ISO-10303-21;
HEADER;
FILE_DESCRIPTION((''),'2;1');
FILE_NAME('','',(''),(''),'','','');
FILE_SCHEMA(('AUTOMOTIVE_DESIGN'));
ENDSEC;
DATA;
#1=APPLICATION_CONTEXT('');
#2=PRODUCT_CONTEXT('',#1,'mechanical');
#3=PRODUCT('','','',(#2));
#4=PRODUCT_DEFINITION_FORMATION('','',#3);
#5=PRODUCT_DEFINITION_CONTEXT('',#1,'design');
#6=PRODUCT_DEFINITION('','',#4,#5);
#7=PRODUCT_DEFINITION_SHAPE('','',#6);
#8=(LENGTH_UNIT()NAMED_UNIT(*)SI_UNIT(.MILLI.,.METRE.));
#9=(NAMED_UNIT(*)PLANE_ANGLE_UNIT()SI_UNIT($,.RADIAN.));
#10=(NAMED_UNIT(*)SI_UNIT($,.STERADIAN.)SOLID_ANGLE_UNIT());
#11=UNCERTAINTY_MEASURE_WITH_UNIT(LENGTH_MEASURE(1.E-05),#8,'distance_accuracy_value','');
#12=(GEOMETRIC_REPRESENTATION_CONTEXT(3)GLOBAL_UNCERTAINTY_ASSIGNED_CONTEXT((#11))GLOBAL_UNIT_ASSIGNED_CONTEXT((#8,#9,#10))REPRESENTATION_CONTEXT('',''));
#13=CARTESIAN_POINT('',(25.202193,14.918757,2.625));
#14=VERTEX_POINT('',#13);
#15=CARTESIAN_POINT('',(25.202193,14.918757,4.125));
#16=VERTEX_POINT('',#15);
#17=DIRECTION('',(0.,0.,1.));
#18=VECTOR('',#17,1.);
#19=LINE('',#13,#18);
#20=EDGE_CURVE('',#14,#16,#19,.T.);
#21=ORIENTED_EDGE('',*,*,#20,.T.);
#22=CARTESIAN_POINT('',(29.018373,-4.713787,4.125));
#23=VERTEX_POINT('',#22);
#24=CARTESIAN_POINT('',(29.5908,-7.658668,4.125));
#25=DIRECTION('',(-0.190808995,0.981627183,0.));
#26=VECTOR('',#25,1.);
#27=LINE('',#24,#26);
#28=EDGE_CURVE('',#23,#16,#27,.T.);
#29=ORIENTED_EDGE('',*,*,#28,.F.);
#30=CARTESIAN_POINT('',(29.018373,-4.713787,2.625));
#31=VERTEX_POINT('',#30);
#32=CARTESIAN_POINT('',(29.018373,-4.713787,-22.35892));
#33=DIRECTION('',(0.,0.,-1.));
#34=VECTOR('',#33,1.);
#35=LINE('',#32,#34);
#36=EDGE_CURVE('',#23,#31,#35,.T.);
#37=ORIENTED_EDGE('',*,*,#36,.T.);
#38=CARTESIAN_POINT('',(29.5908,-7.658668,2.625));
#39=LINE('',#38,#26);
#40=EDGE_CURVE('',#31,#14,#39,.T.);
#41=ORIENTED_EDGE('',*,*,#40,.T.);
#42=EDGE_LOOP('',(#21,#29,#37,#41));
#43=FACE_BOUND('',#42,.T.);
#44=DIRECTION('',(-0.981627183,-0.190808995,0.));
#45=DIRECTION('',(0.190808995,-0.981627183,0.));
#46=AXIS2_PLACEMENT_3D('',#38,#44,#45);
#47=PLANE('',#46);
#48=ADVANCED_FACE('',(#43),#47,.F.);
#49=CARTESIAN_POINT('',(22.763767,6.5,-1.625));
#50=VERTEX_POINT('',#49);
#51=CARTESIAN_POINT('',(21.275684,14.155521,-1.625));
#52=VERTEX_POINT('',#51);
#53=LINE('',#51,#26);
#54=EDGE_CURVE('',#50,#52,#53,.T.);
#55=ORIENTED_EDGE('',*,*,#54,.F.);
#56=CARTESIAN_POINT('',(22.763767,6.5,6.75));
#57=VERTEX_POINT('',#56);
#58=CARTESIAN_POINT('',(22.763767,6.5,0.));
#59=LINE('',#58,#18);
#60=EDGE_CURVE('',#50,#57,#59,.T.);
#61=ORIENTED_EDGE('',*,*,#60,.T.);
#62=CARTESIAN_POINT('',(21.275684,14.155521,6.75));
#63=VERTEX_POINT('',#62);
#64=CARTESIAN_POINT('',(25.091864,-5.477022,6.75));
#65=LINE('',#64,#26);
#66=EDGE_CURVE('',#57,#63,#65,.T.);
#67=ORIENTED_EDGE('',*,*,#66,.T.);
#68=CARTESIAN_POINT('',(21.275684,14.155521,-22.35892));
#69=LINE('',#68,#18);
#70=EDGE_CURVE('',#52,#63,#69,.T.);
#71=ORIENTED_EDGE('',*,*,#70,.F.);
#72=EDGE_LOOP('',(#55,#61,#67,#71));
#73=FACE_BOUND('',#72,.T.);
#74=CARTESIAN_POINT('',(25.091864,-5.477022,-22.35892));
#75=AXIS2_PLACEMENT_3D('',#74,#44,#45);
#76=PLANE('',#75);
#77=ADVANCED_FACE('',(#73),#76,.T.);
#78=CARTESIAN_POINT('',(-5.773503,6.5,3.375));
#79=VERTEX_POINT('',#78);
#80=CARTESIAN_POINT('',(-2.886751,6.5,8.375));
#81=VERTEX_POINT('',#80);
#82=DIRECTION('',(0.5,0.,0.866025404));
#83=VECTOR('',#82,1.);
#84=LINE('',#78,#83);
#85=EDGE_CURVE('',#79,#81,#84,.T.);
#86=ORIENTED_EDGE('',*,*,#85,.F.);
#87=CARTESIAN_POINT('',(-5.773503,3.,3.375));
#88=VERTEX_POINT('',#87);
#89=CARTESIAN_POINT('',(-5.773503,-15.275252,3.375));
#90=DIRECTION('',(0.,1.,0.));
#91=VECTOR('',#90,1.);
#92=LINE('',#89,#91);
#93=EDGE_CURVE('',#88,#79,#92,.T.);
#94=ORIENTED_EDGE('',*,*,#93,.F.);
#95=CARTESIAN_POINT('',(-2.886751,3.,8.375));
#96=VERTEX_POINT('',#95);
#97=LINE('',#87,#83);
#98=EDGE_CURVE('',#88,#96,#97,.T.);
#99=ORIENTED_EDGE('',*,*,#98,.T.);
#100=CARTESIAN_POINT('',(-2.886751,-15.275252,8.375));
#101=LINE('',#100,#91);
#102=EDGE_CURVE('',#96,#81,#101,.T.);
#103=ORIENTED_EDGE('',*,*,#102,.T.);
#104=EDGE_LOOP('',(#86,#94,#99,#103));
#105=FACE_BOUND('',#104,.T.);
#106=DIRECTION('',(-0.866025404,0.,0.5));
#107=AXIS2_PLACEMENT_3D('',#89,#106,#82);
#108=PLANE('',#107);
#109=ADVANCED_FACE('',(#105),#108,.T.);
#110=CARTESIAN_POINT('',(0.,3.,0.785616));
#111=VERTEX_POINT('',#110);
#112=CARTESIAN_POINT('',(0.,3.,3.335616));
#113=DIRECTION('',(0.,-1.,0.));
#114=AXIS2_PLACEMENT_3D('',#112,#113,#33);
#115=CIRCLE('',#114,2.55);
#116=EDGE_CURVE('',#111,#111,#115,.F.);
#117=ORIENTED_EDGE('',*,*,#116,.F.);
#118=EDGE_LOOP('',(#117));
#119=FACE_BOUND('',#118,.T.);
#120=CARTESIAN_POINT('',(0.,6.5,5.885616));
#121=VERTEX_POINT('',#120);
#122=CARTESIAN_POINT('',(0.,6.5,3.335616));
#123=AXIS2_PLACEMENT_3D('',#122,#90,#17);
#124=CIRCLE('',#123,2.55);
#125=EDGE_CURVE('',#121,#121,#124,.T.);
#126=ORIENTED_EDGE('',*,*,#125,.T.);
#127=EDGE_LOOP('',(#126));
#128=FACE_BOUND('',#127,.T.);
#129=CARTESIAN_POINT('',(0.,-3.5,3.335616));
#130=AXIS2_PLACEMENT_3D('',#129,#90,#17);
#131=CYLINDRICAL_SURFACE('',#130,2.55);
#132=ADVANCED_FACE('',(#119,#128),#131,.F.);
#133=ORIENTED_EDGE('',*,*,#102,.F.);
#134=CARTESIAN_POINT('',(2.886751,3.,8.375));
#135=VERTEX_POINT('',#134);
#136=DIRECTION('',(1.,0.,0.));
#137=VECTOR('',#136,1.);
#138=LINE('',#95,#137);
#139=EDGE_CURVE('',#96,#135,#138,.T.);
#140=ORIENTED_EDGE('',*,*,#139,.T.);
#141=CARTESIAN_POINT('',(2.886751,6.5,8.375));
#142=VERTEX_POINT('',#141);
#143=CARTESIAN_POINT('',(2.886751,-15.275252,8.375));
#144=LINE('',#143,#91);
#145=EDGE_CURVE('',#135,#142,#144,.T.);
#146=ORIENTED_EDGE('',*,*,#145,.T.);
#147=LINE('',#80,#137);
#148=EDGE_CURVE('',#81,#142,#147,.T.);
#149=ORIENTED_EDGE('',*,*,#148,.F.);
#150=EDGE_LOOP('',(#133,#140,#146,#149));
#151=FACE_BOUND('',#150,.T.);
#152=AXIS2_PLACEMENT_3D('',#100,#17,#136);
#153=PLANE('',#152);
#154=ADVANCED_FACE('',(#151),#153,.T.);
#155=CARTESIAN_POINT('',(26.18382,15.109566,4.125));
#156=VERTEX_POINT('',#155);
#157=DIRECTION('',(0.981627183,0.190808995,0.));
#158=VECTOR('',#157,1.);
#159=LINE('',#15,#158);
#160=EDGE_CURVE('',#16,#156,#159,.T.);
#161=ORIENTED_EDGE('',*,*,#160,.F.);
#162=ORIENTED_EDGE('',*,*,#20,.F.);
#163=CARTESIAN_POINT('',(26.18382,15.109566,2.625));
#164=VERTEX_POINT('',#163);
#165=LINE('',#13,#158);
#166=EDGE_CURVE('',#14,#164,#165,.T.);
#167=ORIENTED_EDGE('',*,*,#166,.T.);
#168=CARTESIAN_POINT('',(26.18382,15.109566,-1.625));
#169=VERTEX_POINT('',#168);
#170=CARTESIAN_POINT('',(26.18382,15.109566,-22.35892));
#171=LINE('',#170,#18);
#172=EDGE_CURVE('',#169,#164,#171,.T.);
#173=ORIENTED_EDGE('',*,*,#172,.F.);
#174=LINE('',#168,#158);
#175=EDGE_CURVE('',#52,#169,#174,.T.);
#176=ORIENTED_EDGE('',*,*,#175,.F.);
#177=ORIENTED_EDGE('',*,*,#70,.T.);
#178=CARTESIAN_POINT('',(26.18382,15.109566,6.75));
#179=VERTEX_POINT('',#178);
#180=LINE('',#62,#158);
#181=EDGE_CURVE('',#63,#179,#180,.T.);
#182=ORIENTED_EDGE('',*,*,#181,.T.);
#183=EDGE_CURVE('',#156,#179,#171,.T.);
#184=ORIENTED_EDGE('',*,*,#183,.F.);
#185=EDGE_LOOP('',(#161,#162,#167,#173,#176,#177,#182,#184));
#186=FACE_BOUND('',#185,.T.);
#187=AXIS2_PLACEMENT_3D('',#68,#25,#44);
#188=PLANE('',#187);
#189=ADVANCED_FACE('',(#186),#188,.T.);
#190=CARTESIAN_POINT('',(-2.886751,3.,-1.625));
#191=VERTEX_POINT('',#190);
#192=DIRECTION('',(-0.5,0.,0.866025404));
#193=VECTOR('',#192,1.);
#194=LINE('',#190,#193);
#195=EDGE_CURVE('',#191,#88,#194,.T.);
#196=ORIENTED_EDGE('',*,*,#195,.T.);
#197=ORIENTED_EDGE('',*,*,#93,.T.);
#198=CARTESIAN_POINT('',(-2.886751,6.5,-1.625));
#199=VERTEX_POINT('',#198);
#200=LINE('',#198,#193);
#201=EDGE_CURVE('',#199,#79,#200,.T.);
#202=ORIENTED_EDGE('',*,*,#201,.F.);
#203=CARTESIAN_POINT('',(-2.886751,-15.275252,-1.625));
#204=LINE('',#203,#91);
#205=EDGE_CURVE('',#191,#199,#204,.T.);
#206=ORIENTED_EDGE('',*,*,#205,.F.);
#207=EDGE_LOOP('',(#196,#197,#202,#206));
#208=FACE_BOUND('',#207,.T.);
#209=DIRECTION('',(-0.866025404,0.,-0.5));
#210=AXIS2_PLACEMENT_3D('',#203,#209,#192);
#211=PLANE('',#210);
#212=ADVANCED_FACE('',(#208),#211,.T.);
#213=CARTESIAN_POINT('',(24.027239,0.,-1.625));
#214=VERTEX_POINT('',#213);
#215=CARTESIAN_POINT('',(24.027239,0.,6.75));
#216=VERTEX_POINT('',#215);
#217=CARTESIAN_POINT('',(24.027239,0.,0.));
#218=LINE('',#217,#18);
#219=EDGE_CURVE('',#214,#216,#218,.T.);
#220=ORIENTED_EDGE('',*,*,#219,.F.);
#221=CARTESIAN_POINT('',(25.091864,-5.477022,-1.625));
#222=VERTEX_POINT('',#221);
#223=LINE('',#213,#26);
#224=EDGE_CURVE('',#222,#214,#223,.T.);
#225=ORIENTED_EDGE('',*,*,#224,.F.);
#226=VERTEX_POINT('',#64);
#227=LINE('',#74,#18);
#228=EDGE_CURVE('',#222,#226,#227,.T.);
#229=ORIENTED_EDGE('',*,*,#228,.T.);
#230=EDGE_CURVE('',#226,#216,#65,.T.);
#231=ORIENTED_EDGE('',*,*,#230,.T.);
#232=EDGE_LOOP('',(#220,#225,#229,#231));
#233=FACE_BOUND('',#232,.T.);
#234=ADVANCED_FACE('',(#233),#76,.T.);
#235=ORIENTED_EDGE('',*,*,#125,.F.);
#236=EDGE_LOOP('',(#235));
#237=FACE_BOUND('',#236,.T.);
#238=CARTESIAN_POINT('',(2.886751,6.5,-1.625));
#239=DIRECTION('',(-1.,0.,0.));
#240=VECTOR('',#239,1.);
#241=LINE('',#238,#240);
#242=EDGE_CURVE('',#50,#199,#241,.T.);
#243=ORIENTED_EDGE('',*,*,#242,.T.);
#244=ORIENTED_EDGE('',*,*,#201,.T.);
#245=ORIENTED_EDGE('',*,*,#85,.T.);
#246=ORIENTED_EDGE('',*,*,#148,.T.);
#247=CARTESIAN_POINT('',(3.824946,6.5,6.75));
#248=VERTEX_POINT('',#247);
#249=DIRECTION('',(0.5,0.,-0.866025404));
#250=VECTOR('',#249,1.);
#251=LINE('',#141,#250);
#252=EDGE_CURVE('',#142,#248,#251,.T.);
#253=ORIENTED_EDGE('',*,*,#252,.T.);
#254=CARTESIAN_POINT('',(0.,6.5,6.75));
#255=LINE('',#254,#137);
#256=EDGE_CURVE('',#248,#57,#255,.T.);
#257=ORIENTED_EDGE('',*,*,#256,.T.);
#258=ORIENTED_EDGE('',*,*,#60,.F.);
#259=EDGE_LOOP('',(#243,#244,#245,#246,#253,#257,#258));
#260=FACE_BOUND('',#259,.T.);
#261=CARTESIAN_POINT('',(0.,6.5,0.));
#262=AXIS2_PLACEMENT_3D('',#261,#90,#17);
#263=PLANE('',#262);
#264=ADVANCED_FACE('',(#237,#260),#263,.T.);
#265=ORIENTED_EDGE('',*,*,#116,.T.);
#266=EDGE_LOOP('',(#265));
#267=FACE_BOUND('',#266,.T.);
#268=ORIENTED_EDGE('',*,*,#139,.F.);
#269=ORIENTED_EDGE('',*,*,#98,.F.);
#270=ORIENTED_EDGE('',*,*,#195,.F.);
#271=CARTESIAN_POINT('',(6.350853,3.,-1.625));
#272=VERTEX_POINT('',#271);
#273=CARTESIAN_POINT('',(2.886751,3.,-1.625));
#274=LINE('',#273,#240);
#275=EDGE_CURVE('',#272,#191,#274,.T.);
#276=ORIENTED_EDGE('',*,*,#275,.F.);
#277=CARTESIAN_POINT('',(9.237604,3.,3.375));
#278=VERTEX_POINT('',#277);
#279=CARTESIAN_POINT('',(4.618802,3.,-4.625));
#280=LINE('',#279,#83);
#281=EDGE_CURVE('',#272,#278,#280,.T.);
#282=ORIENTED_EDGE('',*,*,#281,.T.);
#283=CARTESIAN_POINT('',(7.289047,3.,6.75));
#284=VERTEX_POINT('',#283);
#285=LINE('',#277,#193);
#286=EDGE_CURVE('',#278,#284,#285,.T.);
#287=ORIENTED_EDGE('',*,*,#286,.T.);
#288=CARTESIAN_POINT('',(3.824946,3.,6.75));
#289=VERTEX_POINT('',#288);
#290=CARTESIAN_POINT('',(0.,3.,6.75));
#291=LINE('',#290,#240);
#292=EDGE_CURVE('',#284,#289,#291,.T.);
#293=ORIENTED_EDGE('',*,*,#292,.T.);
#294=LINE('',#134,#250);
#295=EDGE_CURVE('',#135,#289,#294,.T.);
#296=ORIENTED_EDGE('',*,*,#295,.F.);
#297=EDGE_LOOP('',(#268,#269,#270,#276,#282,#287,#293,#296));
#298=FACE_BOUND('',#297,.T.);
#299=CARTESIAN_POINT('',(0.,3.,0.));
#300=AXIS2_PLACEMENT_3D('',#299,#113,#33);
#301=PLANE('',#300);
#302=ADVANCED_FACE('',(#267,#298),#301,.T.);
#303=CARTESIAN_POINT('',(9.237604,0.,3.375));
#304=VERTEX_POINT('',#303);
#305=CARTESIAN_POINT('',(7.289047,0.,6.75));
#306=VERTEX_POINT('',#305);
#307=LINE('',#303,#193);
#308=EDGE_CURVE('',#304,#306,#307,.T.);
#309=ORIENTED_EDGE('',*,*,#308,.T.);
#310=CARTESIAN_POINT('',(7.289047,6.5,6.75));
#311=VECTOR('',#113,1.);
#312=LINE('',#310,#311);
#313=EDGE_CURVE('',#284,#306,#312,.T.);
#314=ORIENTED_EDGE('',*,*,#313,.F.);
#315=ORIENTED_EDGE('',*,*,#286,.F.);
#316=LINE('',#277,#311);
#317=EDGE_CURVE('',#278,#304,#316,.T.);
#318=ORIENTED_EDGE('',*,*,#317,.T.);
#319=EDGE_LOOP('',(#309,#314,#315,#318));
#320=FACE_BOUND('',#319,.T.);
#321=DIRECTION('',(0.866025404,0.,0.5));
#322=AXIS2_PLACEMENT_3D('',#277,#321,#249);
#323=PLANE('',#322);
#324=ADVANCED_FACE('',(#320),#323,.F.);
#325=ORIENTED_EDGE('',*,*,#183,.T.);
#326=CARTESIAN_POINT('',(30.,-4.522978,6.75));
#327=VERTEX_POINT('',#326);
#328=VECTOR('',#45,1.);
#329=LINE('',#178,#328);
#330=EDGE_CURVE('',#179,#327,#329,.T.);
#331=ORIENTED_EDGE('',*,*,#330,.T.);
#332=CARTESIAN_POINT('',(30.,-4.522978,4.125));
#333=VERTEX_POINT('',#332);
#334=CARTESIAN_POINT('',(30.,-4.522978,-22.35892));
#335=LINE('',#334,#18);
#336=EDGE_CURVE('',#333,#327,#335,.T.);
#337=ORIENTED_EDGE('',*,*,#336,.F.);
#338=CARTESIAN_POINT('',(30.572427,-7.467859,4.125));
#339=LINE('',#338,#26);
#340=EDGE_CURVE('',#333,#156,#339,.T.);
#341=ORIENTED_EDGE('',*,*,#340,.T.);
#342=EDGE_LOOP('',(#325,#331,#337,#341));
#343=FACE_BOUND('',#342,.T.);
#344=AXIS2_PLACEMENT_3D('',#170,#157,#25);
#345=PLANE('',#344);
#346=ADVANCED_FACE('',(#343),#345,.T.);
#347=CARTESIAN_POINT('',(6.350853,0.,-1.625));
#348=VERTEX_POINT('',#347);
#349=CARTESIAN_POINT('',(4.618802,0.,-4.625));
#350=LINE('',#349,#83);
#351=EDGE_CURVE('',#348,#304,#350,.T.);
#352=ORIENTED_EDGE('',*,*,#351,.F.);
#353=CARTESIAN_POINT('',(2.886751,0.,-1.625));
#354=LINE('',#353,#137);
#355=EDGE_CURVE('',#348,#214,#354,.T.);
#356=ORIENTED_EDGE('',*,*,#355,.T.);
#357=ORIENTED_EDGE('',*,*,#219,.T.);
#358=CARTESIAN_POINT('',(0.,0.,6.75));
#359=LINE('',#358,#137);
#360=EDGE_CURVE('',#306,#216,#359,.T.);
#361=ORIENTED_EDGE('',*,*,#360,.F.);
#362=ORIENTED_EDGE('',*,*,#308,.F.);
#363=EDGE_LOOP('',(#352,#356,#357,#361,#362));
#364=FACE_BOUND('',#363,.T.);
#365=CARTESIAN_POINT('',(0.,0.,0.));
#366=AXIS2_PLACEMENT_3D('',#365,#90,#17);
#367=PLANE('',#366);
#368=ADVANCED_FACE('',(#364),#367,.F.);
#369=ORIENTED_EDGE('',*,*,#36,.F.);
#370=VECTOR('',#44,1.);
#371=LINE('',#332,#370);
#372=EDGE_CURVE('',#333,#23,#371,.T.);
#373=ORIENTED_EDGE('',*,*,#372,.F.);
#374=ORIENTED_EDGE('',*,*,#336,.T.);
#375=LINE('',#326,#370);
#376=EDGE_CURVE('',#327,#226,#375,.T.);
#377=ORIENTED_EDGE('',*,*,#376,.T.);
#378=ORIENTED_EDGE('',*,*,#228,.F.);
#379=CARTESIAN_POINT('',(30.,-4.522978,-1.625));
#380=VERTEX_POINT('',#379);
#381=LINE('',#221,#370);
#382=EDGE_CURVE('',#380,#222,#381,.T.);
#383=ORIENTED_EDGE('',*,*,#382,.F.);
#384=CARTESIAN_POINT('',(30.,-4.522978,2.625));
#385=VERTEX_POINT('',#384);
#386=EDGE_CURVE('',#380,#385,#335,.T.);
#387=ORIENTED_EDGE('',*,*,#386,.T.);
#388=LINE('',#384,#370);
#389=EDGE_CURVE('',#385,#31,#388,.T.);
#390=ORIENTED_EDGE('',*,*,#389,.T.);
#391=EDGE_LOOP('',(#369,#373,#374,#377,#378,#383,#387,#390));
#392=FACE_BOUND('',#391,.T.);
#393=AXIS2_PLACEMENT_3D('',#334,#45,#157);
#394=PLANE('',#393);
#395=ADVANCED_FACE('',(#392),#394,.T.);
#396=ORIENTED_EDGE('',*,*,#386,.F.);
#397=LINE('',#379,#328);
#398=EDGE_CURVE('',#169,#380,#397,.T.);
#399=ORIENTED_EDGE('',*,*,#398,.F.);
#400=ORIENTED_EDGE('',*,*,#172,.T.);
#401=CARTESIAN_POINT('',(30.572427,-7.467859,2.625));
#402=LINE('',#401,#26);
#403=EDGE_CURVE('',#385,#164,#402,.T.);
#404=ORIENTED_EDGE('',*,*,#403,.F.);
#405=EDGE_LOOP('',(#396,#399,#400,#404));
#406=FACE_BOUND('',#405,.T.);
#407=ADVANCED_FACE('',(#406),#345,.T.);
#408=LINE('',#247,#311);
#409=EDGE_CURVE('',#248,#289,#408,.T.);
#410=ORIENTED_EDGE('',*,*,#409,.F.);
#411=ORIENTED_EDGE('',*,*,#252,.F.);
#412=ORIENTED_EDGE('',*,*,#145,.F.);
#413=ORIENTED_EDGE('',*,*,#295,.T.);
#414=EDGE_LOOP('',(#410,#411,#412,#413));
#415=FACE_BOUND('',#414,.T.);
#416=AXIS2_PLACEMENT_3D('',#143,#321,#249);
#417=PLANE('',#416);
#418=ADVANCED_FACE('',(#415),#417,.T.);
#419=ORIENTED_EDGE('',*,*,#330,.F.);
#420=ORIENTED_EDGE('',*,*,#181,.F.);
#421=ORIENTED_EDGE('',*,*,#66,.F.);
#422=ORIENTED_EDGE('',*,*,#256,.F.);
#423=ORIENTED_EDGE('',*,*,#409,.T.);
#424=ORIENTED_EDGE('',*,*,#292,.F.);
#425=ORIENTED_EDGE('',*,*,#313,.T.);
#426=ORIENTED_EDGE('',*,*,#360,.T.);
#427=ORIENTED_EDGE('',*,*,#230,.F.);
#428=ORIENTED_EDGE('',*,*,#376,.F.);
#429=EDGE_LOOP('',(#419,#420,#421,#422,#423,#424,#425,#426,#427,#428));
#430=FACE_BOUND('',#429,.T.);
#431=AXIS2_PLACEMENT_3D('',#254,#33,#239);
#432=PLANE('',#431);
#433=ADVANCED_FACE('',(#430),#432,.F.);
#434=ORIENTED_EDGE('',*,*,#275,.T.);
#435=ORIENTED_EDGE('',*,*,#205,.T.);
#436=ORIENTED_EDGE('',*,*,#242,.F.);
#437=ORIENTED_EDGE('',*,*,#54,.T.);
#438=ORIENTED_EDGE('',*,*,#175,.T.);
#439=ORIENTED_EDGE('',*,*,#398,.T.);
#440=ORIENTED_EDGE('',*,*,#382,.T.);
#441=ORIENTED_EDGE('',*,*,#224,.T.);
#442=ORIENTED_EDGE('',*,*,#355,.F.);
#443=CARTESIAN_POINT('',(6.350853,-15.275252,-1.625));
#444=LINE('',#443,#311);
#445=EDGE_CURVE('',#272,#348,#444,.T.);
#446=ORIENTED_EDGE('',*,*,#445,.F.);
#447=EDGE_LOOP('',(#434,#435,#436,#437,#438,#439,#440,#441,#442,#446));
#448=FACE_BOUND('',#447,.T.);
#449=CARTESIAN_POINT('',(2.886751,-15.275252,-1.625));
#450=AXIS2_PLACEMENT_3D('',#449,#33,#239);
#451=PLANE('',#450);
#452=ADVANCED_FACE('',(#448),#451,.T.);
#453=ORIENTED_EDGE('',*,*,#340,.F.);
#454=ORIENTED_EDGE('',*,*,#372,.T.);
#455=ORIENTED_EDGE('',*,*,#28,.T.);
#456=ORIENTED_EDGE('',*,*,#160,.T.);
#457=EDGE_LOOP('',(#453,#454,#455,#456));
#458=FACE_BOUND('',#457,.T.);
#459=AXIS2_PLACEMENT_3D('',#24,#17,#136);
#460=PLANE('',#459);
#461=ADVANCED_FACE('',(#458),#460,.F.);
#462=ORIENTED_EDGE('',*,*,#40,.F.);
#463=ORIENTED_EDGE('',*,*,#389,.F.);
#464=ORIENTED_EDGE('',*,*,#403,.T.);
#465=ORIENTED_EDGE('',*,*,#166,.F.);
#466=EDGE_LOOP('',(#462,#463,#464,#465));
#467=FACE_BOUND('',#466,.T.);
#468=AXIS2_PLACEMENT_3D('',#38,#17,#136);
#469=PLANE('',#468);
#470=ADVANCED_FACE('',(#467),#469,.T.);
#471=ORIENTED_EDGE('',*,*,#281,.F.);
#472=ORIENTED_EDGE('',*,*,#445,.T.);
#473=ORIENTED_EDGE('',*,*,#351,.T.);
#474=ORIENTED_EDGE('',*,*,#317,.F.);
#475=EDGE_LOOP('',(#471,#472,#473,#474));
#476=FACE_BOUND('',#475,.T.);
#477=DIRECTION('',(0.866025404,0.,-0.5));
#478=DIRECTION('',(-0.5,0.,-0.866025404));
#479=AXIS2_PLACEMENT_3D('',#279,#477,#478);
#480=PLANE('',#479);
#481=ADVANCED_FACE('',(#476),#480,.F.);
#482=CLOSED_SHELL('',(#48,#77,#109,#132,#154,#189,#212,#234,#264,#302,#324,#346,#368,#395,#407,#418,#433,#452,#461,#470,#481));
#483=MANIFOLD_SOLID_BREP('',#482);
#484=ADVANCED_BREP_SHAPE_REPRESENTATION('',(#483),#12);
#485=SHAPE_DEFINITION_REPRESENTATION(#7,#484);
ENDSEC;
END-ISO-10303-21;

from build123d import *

# Parameters (mm, degrees)
SKETCH1_W                = 25
SKETCH1_H                = 6.75
BOSS_EXTRUDE1_DEPTH      = 6.5
BOSS_EXTRUDE3_DEPTH      = 3.375
BOSS_EXTRUDE3_DEPTH_BACK = 5
SKETCH4_W                = 1
SKETCH4_H                = 1.5
CUT_EXTRUDE1_DEPTH       = 23
BOSS_EXTRUDE4_DEPTH      = 6.5
SKETCH6_R                = 2.55
CUT_EXTRUDE2_DEPTH       = 10
BOSS_EXTRUDE5_REACH      = 12
CUT_EXTRUDE3_DEPTH       = 3


with BuildPart() as part:
    # Sketch1 → Boss-Extrude1 (new body)
    with BuildSketch(Plane(origin=(0, 0, 0), x_dir=(1, 0, 0), z_dir=(0, 1, 0))):
        with Locations((12.5, -3.375)):
            Rectangle(SKETCH1_W, SKETCH1_H)
    extrude(amount=BOSS_EXTRUDE1_DEPTH)

    # Sketch3 → Boss-Extrude3 (add, two sides)
    with BuildSketch(Plane.XY.offset(3.375)) as boss_extrude3_sk:
        Polygon((21.275684175, 14.155521181), (26.183820092, 15.109566157), (30, -4.522977512), (25.091864083, -5.477022488), align=None)
    extrude(amount=BOSS_EXTRUDE3_DEPTH)
    extrude(boss_extrude3_sk.sketch, amount=-BOSS_EXTRUDE3_DEPTH_BACK)

    # Sketch4 → Cut-Extrude1 (cut)
    with BuildSketch(Plane(origin=(-1.876769127, 9.65514015, 0), x_dir=(0.981627183, 0.190808995, 0), z_dir=(-0.190808995, 0.981627183, 0))):
        with Locations((28.085790708, -3.375)):
            Rectangle(SKETCH4_W, SKETCH4_H)
    extrude(amount=-CUT_EXTRUDE1_DEPTH, mode=Mode.SUBTRACT)

    # Sketch5 → Boss-Extrude4 (add)
    with BuildSketch(Plane(origin=(0, 6.5, 0), x_dir=(1, 0, 0), z_dir=(0, 1, 0))):
        Polygon((-5.773502692, -3.375), (-2.886751346, -8.375), (2.886751346, -8.375), (5.773502692, -3.375), (2.886751346, 1.625), (-2.886751346, 1.625), align=None)
    extrude(amount=-BOSS_EXTRUDE4_DEPTH)

    # Sketch6 → Cut-Extrude2 (cut)
    with BuildSketch(Plane(origin=(0, 6.5, 0), x_dir=(1, 0, 0), z_dir=(0, 1, 0))):
        with Locations((0, -3.335615973)):
            Circle(SKETCH6_R)
    extrude(amount=-CUT_EXTRUDE2_DEPTH, mode=Mode.SUBTRACT)

    # Sketch7 → Boss-Extrude5 (add, up to next)
    with BuildSketch(Plane(origin=(0, 0, -1.625), x_dir=(-1, 0, 0), z_dir=(0, 0, -1)), mode=Mode.PRIVATE) as boss_extrude5_sk1:
        Polygon((-2.886751346, 0), (-24.027238758, 0), (-25.091864083, -5.477022488), (-30, -4.522977512), (-26.183820092, 15.109566157), (-21.275684175, 14.155521181), (-22.763766749, 6.5), (-2.886751346, 6.5), align=None)
    boss_extrude5_tool1 = extrude(boss_extrude5_sk1.sketch, amount=-BOSS_EXTRUDE5_REACH, mode=Mode.PRIVATE) - part.part
    add(boss_extrude5_tool1.solids().sort_by_distance((18.499322, 3.902268, -1.625))[0])

    # Sketch8 → Cut-Extrude3 (cut)
    with BuildSketch(Plane(origin=(0, 0, 0), x_dir=(-1, 0, 0), z_dir=(0, -1, 0))):
        Polygon((-4.618802154, -11.375), (4.618802154, -11.375), (9.237604307, -3.375), (4.618802154, 4.625), (-4.618802154, 4.625), (-9.237604307, -3.375), align=None)
    extrude(amount=-CUT_EXTRUDE3_DEPTH, mode=Mode.SUBTRACT)


solid = part.part
